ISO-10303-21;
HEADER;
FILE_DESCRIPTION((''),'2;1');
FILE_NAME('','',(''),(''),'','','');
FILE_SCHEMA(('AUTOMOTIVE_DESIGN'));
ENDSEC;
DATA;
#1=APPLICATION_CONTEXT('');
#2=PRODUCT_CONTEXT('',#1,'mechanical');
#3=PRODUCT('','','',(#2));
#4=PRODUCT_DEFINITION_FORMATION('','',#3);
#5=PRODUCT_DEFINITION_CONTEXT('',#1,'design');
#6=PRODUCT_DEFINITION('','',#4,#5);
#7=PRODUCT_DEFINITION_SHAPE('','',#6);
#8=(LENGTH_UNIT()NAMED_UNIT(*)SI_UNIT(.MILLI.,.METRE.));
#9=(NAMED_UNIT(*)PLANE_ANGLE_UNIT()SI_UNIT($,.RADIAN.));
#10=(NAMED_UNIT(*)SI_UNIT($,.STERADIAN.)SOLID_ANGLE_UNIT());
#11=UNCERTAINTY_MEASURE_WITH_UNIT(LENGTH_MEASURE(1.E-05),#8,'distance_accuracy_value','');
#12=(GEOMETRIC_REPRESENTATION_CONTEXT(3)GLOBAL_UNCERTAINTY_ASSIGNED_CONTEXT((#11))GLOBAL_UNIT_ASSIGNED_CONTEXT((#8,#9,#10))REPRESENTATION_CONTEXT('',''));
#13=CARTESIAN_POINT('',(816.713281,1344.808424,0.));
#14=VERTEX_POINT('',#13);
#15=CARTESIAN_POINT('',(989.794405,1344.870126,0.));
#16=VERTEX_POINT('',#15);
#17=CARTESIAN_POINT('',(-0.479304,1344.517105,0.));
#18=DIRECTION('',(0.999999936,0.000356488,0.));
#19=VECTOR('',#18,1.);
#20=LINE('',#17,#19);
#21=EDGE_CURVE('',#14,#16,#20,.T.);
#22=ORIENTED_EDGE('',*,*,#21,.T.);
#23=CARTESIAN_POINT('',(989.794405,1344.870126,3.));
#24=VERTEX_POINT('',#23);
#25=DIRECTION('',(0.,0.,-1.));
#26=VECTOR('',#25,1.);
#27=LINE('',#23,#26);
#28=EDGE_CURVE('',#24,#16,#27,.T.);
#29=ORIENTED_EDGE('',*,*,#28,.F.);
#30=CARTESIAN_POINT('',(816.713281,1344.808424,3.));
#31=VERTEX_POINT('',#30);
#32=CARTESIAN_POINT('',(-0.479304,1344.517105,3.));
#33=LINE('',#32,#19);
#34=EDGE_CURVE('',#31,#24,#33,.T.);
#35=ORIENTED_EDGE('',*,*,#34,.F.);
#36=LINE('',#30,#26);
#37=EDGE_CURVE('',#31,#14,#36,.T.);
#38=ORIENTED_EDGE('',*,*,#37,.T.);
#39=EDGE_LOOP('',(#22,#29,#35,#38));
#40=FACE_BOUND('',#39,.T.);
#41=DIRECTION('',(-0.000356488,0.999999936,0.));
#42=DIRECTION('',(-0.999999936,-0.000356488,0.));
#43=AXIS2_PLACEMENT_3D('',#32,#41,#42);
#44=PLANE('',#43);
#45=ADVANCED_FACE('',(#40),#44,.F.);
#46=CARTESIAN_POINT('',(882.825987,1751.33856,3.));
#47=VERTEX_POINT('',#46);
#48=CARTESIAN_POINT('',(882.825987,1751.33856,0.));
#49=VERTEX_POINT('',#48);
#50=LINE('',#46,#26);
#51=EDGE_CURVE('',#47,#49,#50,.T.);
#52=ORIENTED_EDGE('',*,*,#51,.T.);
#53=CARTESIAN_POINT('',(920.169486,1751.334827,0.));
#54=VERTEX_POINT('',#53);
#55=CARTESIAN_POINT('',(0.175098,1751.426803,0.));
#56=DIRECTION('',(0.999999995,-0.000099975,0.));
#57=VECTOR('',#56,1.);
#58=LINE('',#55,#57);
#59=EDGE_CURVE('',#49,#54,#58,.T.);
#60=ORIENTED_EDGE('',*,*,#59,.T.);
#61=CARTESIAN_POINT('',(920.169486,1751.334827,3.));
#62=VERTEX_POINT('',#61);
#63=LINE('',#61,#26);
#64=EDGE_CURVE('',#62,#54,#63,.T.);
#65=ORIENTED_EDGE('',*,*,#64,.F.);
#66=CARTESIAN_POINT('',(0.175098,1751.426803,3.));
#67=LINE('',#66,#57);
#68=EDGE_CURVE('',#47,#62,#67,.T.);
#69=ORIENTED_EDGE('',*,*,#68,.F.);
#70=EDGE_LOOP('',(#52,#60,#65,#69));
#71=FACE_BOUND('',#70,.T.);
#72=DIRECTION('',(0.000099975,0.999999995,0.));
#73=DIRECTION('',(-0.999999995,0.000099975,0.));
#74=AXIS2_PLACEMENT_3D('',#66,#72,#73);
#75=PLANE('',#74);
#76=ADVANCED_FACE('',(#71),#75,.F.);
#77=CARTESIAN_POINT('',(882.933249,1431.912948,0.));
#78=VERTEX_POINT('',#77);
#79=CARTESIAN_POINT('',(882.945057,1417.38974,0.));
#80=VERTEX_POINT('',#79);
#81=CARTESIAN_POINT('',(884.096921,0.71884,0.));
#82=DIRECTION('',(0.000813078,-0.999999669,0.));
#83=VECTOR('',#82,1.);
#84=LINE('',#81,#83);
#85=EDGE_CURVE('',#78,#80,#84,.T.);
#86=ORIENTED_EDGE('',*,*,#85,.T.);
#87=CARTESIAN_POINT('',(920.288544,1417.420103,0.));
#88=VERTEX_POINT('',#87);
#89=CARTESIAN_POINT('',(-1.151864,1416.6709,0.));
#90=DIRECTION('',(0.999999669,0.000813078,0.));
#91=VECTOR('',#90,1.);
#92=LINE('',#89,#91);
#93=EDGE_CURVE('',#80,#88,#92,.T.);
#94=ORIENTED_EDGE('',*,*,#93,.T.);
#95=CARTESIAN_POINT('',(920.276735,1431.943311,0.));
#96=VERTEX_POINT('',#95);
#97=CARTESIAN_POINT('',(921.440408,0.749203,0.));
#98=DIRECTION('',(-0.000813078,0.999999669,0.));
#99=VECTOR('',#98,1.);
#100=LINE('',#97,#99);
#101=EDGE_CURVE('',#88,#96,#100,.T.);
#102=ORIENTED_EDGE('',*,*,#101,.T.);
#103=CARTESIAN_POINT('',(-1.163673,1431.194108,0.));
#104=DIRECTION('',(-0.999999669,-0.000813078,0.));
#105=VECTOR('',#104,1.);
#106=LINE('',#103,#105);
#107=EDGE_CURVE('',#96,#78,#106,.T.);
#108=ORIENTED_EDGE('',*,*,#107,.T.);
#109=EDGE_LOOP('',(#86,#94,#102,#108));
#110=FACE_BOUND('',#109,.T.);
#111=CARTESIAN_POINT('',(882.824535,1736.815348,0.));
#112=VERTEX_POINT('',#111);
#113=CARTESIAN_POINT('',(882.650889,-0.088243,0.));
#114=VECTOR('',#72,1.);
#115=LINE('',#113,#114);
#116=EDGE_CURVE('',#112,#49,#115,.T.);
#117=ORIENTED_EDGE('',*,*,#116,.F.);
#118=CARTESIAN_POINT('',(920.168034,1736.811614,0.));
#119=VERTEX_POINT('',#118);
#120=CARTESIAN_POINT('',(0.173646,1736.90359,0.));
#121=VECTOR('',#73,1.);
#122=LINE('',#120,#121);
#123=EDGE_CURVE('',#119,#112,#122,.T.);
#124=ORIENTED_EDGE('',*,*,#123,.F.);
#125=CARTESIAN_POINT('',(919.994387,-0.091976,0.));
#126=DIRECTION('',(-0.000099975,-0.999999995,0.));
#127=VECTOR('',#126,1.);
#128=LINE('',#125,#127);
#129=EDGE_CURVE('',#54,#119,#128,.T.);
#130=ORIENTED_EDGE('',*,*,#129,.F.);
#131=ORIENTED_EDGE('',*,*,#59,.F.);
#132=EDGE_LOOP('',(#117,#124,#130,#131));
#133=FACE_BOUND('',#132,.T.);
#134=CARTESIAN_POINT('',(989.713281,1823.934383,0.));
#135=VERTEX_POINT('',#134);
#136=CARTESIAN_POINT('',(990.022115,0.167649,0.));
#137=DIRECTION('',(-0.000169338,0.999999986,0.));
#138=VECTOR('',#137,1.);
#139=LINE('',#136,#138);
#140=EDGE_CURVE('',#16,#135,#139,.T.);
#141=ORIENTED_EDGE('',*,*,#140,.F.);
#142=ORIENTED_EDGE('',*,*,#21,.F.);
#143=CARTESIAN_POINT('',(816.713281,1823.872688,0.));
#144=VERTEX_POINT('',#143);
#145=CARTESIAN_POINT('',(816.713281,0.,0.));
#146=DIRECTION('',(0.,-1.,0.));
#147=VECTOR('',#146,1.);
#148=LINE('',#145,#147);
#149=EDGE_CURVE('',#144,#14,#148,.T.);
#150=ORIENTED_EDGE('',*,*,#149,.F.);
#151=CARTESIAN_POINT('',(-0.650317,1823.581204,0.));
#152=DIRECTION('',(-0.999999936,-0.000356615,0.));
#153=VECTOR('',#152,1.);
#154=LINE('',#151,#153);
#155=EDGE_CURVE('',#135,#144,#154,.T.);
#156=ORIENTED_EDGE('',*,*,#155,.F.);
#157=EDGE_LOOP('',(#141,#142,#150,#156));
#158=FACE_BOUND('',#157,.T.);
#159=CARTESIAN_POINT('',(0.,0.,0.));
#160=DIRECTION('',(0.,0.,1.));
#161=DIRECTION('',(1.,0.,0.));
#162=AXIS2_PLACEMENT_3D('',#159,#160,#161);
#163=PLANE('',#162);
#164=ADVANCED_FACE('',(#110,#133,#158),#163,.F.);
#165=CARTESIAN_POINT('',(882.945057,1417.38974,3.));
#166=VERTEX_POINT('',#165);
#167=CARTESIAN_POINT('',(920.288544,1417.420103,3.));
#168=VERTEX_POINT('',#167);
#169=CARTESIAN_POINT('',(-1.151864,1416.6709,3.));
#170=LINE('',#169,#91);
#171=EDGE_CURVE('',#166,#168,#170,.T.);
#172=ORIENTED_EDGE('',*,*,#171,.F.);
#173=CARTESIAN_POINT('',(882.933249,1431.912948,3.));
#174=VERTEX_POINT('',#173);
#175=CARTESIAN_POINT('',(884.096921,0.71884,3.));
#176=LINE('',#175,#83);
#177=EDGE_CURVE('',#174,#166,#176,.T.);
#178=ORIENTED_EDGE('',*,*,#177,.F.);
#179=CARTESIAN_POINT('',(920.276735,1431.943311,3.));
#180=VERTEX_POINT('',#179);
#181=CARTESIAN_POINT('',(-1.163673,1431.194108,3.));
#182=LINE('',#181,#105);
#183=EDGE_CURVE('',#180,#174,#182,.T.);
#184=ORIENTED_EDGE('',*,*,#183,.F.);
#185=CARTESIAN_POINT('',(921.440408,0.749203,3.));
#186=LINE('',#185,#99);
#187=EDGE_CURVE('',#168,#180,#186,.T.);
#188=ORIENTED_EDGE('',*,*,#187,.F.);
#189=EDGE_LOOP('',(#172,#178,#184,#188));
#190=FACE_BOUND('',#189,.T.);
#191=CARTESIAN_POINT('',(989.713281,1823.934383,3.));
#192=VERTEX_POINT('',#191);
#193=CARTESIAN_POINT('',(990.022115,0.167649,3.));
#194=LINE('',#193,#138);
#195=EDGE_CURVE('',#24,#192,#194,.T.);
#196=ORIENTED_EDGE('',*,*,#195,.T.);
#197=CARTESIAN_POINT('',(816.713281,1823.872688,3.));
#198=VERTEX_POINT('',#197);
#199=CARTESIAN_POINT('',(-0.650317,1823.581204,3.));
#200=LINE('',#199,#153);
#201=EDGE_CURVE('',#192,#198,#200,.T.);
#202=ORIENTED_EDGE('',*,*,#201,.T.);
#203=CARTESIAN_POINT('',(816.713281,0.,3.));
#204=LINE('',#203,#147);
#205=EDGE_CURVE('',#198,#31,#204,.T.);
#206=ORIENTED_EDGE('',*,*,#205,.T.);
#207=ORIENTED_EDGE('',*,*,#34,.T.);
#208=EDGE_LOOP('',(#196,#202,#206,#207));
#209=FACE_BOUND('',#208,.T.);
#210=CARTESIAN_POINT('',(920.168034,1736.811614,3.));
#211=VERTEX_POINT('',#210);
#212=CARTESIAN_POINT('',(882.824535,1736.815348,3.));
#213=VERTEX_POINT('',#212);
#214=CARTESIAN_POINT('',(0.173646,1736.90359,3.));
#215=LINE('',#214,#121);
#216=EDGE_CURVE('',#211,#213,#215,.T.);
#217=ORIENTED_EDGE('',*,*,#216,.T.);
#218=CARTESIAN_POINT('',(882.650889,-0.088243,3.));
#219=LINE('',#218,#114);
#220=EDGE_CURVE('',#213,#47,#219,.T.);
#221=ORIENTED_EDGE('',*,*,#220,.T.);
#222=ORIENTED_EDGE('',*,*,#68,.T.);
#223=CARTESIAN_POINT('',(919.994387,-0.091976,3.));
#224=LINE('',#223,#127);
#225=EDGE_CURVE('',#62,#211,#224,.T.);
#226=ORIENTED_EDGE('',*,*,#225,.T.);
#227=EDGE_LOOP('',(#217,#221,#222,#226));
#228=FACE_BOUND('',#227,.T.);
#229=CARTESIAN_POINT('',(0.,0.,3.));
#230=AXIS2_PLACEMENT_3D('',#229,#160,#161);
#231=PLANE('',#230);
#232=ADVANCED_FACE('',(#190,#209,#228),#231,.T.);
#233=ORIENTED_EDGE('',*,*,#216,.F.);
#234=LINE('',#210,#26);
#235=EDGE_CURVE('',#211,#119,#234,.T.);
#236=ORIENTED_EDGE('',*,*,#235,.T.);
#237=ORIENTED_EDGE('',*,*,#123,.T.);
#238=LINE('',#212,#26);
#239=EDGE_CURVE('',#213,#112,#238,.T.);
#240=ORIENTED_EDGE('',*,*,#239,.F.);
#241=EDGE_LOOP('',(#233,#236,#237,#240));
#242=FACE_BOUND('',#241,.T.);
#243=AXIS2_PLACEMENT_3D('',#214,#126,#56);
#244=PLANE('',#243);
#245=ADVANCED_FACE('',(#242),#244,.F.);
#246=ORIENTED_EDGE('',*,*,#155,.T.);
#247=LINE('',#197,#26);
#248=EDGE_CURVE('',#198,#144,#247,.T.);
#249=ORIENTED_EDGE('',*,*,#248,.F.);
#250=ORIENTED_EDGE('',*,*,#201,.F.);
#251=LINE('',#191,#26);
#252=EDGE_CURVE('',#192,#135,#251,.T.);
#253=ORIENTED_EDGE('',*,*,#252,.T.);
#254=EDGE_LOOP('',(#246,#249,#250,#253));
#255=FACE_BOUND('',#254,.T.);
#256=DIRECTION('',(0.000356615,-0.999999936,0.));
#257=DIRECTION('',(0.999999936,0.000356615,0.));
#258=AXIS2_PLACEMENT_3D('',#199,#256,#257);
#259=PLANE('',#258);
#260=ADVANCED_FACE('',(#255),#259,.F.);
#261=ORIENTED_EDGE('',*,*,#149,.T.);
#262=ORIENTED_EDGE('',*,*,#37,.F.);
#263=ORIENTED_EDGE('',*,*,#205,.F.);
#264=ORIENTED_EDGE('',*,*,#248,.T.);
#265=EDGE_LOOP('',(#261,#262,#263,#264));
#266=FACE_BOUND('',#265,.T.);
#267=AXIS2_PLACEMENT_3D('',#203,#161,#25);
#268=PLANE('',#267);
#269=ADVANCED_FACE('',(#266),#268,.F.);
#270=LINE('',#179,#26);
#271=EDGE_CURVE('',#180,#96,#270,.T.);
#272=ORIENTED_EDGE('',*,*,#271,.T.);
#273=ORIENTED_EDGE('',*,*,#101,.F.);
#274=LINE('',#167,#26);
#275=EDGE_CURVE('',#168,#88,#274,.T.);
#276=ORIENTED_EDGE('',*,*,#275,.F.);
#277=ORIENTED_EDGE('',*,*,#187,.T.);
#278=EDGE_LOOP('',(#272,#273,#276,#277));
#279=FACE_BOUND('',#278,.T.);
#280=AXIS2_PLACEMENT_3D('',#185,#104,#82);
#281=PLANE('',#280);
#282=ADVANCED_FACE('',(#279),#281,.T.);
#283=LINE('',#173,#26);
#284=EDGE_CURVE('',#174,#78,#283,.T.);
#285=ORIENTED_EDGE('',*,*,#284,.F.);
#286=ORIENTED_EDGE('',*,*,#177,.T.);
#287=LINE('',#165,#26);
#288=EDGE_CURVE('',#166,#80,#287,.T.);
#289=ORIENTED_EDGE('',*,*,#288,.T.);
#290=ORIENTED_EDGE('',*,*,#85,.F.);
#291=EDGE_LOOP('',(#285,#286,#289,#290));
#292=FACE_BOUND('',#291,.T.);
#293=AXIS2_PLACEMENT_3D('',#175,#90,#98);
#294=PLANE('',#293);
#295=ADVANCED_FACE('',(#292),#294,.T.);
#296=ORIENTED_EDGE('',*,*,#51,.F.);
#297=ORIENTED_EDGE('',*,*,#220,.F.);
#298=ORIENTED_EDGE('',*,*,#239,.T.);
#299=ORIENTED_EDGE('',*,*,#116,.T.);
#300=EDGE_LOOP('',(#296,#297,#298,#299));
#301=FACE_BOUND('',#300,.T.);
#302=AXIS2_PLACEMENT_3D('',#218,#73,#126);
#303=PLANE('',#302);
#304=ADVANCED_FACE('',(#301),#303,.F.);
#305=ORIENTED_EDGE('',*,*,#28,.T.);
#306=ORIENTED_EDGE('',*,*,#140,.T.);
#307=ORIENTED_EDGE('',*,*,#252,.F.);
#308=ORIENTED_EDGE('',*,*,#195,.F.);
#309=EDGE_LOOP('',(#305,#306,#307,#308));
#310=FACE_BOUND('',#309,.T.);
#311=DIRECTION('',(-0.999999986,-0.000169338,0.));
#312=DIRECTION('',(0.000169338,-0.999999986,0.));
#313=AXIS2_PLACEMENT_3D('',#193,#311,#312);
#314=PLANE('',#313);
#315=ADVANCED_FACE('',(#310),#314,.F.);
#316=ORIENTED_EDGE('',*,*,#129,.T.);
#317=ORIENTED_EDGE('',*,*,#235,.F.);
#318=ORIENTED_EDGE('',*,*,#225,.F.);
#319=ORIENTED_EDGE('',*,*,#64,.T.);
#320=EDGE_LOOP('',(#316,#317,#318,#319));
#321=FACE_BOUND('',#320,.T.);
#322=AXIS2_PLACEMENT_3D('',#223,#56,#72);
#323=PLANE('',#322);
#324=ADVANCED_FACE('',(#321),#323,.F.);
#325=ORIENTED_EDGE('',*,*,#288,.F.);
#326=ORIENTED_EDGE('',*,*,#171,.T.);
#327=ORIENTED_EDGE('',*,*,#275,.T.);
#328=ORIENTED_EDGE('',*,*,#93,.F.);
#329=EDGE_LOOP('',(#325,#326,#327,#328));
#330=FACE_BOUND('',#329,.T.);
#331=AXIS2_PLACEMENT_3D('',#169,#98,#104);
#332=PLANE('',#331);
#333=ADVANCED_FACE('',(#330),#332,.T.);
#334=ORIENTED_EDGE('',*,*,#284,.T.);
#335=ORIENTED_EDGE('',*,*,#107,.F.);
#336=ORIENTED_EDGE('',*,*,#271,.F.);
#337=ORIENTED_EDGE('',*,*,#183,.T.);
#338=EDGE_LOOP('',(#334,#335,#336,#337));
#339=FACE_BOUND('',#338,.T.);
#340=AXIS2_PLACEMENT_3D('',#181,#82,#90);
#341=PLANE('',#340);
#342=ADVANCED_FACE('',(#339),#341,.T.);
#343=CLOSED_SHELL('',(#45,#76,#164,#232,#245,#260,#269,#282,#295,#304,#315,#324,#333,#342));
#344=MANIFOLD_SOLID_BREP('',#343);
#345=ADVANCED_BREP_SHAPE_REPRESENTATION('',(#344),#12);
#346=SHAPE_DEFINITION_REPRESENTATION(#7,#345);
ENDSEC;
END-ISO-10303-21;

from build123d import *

# Parameters (mm, degrees)
BOSS_EXTRUDE1_DEPTH = 3


with BuildPart() as part:
    # Sketch1 → Boss-Extrude1 (new body)
    with BuildSketch(Plane.XY):
        Polygon((989.794405427, 1344.870125695), (989.713281448, 1823.934382844), (816.713281448, 1823.87268837), (816.713281448, 1344.808424352), align=None)
        Polygon((920.276734998, 1431.94331108), (882.933248531, 1431.912947905), (882.945057035, 1417.389739929), (920.288543502, 1417.420103104), align=None, mode=Mode.SUBTRACT)
        Polygon((882.824535058, 1736.81534774), (882.825987011, 1751.338560444), (920.169485635, 1751.334827041), (920.168033682, 1736.811614337), align=None, mode=Mode.SUBTRACT)
    extrude(amount=BOSS_EXTRUDE1_DEPTH)


solid = part.part
